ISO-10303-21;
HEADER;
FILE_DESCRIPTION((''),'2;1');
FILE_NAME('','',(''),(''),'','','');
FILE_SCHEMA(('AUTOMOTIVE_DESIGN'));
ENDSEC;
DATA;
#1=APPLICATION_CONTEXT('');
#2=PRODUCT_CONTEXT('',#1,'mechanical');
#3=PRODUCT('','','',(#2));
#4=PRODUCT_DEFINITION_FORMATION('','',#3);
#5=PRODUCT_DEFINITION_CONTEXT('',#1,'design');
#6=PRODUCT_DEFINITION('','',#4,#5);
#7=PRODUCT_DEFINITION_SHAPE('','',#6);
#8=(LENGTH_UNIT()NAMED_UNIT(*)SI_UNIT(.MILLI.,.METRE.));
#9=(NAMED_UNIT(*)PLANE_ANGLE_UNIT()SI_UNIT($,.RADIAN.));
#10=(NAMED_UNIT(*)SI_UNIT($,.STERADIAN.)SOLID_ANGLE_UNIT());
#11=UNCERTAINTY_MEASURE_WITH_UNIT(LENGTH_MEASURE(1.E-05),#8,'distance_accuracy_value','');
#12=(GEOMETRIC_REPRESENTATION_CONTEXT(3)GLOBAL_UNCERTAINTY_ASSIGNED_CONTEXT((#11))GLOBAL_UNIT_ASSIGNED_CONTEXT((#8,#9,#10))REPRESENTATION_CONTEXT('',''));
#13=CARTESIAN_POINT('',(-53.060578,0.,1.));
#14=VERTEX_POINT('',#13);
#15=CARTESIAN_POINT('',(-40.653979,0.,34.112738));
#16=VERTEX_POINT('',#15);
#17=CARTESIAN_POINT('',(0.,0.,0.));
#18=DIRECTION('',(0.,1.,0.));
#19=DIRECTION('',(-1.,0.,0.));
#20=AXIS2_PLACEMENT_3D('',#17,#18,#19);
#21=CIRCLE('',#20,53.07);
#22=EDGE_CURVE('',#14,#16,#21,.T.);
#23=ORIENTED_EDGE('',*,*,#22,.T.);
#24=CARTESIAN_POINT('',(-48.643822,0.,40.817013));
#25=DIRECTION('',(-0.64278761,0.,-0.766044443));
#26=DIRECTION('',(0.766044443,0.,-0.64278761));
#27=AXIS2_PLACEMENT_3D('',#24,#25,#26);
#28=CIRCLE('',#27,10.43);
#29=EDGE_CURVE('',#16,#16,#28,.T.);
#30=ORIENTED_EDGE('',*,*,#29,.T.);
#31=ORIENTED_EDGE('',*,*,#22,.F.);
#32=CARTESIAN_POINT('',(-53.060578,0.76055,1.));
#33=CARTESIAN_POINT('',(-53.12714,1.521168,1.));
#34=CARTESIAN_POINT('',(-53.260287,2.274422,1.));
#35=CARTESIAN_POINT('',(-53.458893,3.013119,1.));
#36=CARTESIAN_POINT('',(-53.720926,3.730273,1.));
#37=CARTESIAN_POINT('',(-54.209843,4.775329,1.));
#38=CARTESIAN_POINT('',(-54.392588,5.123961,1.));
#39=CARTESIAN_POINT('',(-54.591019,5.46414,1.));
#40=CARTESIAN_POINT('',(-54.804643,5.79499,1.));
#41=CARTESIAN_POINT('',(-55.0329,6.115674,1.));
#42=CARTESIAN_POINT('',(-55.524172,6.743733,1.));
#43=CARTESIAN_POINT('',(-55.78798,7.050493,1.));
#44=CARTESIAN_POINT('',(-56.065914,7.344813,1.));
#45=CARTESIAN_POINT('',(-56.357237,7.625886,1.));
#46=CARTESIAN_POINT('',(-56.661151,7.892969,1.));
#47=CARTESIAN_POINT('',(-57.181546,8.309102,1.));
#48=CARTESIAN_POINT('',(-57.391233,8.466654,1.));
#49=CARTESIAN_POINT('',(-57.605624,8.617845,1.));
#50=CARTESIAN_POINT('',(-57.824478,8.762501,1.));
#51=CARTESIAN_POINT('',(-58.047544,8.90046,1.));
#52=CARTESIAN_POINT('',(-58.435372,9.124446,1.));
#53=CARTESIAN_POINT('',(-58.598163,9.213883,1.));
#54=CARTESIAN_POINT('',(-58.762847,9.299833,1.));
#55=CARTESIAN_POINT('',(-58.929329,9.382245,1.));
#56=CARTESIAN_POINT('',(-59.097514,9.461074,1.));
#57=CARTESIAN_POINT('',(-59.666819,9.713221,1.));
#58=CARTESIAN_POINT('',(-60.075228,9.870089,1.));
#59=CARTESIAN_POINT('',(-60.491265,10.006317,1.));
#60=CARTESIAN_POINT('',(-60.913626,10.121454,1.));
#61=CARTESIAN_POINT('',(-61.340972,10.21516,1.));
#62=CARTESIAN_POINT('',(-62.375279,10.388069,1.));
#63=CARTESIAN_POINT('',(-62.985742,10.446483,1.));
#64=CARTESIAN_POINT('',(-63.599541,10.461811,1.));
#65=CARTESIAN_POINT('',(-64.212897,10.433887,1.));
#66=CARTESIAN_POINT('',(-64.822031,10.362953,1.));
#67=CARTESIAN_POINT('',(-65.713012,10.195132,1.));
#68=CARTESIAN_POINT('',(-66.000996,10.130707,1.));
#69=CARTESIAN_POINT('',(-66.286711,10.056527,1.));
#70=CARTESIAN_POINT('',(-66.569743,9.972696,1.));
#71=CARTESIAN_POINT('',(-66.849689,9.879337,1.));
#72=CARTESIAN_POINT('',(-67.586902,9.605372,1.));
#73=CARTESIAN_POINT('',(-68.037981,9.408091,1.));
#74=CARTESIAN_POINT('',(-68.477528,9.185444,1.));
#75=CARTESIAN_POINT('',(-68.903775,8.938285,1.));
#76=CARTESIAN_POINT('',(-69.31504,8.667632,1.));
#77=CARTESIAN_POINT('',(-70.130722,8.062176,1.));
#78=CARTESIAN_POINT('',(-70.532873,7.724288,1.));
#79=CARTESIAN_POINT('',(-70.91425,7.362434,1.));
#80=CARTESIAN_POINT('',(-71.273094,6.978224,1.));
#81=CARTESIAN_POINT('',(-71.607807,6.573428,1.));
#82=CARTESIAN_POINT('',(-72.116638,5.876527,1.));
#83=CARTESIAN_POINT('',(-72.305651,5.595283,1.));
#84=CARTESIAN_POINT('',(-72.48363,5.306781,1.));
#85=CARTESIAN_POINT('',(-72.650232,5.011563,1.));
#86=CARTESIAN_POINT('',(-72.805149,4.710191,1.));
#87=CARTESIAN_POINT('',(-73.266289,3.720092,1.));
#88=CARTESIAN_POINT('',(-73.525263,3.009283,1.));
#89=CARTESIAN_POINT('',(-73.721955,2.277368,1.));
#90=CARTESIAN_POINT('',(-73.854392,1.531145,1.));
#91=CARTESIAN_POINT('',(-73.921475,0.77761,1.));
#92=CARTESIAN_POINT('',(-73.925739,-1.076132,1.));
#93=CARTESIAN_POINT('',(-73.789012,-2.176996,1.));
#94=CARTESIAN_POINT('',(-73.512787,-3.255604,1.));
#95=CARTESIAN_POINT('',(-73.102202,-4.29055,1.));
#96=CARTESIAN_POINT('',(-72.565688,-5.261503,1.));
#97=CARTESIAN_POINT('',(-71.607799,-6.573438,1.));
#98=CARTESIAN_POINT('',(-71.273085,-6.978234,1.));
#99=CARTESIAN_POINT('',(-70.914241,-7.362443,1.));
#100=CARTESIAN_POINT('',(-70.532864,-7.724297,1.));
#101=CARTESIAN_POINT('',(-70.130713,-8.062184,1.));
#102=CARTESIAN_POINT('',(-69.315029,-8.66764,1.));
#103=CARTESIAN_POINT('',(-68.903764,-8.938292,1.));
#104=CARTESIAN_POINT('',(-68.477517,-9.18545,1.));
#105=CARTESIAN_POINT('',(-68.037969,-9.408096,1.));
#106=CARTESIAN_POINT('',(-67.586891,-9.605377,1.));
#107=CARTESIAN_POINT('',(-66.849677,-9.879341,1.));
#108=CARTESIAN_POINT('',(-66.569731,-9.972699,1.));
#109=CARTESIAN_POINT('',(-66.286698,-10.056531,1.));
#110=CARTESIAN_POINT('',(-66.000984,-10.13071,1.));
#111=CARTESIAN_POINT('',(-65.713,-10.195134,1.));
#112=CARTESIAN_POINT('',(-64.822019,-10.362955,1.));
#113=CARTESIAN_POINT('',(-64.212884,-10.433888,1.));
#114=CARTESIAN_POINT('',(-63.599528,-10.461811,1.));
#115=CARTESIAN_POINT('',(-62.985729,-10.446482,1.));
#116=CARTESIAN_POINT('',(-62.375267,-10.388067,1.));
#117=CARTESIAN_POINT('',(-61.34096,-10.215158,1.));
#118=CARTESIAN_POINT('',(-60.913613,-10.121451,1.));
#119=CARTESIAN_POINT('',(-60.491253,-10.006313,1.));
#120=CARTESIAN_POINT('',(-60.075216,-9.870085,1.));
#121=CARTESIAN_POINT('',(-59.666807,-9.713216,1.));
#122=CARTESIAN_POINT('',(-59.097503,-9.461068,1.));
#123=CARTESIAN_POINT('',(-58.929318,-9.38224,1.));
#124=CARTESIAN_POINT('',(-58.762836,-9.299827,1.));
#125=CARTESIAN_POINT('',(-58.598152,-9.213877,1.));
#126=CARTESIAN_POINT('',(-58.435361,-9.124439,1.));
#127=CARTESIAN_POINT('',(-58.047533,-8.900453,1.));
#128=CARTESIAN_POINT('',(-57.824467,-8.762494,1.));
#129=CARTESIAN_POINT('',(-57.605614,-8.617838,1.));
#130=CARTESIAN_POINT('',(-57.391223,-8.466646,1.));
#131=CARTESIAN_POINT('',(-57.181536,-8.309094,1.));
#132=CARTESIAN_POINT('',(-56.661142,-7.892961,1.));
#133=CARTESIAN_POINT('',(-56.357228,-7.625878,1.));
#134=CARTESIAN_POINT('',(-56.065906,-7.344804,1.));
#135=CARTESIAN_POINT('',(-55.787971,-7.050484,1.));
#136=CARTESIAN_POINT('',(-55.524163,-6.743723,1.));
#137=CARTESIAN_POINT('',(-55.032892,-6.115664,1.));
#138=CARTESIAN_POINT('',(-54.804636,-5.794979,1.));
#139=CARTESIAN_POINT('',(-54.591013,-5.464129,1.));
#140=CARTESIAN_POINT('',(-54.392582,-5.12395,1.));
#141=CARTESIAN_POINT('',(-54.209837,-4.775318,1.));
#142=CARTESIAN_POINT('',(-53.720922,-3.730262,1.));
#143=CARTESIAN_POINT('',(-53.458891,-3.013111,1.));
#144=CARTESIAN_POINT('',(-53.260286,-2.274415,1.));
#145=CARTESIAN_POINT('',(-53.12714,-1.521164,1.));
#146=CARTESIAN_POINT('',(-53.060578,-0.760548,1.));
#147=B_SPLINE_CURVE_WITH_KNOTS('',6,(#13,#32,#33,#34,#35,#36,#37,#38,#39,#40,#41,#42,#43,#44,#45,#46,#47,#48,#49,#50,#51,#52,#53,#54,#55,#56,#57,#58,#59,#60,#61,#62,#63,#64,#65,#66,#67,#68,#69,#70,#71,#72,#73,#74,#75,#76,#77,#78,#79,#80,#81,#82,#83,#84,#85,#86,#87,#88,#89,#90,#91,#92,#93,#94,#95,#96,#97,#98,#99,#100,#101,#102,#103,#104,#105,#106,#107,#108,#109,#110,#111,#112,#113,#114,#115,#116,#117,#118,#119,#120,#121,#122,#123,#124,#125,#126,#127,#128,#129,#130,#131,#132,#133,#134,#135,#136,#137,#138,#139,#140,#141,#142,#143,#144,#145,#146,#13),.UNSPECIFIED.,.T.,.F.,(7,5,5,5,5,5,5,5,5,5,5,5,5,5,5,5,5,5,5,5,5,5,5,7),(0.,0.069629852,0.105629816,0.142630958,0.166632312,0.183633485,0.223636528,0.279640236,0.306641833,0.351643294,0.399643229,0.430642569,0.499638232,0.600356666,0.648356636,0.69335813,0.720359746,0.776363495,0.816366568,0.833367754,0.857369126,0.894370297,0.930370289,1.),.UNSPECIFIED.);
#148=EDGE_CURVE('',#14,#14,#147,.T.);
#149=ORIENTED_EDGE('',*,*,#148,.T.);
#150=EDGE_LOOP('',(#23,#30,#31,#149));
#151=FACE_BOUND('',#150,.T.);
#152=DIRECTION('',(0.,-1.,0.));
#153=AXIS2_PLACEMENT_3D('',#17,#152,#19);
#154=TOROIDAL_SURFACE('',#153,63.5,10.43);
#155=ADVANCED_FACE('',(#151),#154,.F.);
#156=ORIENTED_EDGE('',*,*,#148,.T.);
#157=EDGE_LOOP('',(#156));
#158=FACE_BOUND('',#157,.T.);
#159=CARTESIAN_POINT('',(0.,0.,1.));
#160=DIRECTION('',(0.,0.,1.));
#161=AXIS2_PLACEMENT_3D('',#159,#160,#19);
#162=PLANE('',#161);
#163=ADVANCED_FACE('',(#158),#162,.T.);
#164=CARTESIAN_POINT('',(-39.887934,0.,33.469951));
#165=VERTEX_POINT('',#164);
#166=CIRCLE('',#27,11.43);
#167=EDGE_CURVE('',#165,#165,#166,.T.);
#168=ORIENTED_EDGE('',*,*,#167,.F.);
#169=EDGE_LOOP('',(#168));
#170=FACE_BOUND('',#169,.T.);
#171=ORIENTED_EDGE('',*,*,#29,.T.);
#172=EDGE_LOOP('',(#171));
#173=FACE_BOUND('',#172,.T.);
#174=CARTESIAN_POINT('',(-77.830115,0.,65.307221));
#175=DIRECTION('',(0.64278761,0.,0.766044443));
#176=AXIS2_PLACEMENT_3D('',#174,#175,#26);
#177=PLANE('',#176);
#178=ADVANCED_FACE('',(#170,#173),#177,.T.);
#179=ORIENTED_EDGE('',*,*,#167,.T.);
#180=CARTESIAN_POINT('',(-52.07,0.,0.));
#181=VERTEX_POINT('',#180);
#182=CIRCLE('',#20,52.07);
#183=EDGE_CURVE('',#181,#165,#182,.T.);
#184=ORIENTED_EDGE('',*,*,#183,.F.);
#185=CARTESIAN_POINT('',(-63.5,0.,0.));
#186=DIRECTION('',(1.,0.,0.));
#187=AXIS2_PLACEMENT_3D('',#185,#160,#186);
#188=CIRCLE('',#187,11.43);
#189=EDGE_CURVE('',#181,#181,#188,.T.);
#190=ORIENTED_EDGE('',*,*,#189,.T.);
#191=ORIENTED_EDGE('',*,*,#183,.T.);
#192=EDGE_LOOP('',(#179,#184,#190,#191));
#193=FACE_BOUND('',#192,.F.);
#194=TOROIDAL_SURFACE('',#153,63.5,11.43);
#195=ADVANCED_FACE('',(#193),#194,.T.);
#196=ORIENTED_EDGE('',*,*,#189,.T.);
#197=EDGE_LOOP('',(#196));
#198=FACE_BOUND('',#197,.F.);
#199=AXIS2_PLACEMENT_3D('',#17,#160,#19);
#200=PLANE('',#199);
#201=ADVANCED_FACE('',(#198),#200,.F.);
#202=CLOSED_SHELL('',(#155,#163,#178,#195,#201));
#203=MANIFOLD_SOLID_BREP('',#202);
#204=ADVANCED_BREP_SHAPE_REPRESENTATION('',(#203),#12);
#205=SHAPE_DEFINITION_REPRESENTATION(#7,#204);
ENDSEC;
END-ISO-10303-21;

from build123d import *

# Parameters (mm, degrees)
F0_R          = 11.43
F3_DEPTH      = 11.4310001
F3_DEPTH_BACK = 11.4310001
F4_T          = -1


with BuildPart() as f1:
    # F0 (on Top) → F1 (revolve)
    with BuildSketch(Plane.XY):
        with Locations((-63.5, 0)):
            Circle(F0_R)
    revolve(axis=Axis((0, 30.6148057642, 0), (0, 1, 0)))

    # F2 (on Front) → F3 (cut, two sides)
    with BuildSketch(Plane.XZ) as f3_sk:
        with BuildLine():
            Line((-77.8301154209, 65.3072211442), (0, 0))
            Line((0, 0), (-101.6, 0))
            ThreePointArc((-101.6, 0), (95.4727702718, -34.7492465619), (-77.8301154209, 65.3072211442))
        make_face()
    extrude(amount=-F3_DEPTH, mode=Mode.SUBTRACT)
    extrude(f3_sk.sketch, amount=F3_DEPTH_BACK, mode=Mode.SUBTRACT)

    # F4
    f4_openings = [f1.faces().sort_by_distance(p)[0] for p in [
        (-48.643822, 0, 40.817013),
    ]]
    offset(amount=F4_T, openings=f4_openings)


solid = f1.part
